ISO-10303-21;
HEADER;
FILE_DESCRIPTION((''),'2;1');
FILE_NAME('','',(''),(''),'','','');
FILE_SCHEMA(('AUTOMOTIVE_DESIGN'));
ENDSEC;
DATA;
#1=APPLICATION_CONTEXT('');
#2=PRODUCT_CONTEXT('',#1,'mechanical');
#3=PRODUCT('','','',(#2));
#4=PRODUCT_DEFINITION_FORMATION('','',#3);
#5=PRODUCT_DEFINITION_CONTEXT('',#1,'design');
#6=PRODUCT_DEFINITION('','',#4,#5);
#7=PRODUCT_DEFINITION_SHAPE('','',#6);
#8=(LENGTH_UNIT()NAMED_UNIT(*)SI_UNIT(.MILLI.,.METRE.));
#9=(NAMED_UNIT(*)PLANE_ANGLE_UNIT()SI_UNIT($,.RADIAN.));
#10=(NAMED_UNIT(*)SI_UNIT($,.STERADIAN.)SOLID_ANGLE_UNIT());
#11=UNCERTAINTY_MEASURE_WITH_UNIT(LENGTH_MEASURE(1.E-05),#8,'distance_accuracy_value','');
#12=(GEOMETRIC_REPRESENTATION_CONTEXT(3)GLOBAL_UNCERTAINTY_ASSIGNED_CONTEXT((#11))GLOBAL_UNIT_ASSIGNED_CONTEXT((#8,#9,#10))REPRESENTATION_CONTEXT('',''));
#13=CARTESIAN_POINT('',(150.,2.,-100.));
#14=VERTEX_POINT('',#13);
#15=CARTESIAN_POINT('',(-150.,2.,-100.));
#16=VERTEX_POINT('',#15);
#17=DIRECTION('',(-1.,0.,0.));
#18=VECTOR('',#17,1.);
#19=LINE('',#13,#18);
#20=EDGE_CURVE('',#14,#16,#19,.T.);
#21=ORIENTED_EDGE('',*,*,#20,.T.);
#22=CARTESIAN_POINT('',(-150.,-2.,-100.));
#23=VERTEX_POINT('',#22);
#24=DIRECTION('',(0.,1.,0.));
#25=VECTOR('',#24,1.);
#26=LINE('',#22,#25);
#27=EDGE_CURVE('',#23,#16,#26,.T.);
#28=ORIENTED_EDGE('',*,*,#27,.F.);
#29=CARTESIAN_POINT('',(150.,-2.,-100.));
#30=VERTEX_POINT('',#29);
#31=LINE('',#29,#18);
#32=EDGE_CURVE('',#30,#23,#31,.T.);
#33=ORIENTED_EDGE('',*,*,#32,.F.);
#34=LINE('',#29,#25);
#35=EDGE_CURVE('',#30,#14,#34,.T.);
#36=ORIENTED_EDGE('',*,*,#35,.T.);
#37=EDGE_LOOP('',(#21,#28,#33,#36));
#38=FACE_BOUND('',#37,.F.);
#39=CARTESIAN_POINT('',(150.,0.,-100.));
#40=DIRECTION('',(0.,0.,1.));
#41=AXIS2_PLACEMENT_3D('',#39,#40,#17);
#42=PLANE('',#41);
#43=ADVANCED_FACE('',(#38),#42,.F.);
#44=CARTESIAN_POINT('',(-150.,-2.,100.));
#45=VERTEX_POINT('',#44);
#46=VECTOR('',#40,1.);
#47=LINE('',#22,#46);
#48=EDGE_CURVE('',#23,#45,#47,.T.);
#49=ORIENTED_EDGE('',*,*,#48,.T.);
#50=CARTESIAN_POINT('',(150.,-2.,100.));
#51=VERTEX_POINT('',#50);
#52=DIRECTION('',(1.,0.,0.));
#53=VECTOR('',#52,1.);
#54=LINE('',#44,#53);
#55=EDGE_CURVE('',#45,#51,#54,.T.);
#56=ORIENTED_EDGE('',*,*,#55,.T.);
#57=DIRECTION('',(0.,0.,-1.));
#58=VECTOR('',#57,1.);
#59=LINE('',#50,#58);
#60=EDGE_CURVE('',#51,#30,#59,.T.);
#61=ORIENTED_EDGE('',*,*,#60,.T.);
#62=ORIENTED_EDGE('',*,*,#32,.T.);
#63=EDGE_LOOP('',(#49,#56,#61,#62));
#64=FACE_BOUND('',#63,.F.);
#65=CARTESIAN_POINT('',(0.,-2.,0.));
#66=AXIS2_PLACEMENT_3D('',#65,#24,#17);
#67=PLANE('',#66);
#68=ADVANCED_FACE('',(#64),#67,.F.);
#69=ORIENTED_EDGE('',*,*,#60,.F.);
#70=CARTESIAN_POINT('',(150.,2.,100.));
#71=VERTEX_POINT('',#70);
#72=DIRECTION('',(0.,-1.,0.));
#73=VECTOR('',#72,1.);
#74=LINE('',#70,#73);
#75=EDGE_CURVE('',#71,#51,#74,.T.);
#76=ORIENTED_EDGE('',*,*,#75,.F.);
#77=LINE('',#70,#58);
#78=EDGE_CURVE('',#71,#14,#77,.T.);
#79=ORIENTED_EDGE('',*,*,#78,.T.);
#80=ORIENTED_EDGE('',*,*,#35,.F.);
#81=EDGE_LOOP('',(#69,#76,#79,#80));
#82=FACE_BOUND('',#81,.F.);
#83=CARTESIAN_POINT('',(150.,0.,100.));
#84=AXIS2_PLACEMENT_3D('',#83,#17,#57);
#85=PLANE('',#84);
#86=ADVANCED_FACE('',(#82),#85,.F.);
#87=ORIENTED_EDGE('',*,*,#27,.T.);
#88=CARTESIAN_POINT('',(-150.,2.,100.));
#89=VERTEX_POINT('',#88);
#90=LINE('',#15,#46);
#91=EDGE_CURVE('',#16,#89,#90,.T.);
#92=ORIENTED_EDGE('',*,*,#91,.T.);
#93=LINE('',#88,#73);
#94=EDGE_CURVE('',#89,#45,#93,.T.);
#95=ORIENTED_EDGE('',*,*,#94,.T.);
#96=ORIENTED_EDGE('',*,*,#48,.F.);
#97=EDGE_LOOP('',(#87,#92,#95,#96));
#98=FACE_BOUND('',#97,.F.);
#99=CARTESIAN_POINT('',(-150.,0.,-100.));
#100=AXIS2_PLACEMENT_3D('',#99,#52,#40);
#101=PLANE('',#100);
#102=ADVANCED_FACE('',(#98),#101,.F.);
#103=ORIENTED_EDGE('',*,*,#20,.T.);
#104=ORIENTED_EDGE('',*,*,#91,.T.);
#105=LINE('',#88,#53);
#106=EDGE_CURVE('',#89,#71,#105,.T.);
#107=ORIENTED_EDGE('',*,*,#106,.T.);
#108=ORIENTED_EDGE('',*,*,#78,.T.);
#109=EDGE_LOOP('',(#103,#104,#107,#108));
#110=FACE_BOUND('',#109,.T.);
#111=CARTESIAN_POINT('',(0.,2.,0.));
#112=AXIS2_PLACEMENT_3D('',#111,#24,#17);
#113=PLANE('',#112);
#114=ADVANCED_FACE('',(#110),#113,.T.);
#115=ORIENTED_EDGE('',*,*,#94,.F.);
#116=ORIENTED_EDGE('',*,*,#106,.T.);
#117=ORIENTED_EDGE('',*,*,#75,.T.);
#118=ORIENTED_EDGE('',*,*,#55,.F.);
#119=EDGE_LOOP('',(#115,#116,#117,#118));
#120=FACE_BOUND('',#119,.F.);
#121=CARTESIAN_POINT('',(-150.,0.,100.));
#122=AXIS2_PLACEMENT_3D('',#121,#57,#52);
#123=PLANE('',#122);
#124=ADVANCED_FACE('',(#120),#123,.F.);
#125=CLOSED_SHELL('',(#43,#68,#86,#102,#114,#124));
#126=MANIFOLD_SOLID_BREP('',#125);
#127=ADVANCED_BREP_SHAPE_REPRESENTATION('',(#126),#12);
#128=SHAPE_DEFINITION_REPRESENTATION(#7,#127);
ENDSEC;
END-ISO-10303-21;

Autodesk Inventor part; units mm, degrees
ref_plane "YZ Plane" through (0, 0, 0) normal (1, 0, 0) x (0, 1, 0)
ref_plane "XZ Plane" through (0, 0, 0) normal (0, 1, 0) x (-1, 0, 0)
ref_plane "XY Plane" through (0, 0, 0) normal (0, 0, 1) x (1, 0, 0)
sketch "Szkic1" plane through (0, 0, 0) normal (0, 1, 0) x (-1, 0, 0)
  line L0 (-150, -100) -> (150, -100)
  line L1 (150, -100) -> (150, 100)
  line L2 (150, 100) -> (-150, 100)
  line L3 (-150, 100) -> (-150, -100)
  line L4 (-150, -100) -> (150, 100) construction
  line L5 (150, -100) -> (-150, 100) construction
  point P0 (0, 0)
  dimension "d0" = 300
  dimension "d1" = 200
extrude "Wyciągnięcie proste1" add sketch "Szkic1" along normal mid plane 4
properties part number "CeilingPanel"
